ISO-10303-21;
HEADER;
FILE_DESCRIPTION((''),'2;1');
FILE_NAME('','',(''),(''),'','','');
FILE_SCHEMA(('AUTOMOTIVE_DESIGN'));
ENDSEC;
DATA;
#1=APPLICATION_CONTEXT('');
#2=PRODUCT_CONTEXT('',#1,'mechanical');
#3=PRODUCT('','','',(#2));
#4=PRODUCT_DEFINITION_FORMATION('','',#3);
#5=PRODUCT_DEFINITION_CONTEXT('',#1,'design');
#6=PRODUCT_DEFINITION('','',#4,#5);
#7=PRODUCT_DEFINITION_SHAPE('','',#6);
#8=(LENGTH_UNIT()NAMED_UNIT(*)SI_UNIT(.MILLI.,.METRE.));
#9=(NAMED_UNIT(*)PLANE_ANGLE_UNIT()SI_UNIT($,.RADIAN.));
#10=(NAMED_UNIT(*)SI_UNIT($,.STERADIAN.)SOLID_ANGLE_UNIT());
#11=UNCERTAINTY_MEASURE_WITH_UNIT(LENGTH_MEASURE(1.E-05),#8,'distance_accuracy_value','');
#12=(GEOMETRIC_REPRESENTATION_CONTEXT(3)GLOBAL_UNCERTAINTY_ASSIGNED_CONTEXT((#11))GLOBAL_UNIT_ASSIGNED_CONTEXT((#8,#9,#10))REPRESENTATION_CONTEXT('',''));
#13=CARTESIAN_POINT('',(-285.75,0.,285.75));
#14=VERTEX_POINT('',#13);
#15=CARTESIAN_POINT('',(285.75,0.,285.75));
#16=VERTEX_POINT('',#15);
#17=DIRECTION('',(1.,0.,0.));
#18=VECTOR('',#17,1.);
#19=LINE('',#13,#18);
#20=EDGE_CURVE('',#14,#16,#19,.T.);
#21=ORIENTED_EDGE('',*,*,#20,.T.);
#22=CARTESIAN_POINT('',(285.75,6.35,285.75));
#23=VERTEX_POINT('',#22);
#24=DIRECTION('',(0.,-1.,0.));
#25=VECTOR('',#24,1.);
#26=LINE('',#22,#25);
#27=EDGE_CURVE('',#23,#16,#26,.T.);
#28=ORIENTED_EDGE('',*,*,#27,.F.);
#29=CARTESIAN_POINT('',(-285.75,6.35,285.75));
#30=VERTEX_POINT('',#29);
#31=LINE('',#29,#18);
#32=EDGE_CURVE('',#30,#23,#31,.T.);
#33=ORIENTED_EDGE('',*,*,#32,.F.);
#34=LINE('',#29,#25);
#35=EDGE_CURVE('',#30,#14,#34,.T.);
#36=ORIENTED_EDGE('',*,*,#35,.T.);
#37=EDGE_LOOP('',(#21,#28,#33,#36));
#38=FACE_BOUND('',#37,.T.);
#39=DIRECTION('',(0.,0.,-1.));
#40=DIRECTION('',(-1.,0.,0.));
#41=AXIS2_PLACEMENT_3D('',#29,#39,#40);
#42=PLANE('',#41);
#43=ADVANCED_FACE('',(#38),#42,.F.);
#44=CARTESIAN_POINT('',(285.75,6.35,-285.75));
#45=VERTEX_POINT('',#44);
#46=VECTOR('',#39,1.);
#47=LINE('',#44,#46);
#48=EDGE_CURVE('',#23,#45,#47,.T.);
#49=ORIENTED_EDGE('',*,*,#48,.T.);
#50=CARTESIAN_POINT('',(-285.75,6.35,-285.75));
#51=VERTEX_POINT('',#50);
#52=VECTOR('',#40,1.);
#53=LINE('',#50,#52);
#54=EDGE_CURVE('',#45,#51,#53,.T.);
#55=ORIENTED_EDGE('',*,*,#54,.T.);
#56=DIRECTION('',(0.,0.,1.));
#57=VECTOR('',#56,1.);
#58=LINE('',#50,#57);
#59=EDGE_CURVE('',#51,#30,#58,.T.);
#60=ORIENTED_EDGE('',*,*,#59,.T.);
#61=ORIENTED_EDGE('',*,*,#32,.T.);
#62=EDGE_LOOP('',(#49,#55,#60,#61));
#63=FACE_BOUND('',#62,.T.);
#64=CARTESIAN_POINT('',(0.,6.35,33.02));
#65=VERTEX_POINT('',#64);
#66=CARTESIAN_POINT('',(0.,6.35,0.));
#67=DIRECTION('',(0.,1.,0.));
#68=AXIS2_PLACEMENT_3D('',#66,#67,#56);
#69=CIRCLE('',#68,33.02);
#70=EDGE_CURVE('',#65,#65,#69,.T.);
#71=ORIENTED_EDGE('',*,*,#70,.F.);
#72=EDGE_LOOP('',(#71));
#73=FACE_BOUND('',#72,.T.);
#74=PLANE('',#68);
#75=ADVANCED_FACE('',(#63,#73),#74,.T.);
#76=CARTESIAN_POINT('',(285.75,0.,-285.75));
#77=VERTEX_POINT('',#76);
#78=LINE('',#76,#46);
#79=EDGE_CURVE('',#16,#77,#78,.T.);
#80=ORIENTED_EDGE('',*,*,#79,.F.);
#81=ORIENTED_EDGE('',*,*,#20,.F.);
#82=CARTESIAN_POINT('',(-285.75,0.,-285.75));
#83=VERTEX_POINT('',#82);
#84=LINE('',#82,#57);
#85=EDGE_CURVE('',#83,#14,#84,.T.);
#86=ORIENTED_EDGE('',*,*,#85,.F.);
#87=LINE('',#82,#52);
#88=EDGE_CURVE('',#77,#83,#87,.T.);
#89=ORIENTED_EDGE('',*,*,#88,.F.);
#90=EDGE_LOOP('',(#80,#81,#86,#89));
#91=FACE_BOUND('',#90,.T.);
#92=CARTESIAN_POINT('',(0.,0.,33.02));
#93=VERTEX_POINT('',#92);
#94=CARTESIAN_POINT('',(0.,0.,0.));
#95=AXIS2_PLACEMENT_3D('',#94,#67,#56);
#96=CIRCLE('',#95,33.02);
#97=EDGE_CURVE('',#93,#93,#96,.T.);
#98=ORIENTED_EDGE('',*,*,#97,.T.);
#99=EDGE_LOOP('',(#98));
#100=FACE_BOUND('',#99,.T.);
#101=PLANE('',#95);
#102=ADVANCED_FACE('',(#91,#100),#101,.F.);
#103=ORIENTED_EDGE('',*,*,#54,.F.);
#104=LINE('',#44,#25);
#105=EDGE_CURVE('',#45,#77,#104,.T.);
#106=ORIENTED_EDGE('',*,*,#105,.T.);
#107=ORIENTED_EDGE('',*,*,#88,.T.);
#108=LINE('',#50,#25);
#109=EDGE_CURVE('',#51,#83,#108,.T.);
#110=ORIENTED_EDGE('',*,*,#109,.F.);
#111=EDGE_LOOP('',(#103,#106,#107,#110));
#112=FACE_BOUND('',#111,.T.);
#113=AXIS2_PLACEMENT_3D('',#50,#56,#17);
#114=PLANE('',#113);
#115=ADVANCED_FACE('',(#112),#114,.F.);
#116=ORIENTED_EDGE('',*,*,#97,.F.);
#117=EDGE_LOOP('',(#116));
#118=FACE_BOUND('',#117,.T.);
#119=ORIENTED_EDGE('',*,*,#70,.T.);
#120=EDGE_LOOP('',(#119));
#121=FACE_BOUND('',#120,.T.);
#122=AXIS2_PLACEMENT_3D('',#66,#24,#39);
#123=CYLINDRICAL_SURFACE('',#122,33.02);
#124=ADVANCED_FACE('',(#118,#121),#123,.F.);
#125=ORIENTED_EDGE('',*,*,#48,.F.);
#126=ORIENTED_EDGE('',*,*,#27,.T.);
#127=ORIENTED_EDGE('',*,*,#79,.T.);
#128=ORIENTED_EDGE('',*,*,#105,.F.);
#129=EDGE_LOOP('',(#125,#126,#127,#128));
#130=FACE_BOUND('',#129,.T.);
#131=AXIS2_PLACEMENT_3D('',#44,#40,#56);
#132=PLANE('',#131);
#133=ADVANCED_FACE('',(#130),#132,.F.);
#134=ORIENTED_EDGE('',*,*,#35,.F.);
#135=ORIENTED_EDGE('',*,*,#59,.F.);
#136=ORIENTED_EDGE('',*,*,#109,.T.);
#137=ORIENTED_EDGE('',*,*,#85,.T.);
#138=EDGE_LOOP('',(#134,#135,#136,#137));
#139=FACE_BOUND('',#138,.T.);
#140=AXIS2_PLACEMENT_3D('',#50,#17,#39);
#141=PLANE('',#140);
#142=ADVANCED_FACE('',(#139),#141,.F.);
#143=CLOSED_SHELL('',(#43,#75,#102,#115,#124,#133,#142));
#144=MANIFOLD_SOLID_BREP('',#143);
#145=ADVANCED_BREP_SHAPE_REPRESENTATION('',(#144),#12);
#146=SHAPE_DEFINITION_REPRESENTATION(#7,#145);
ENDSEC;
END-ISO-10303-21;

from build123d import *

# Parameters (mm, degrees)
SKETCH1_W           = 571.5
SKETCH1_H           = 571.5
SKETCH1_R           = 33.02
BOSS_EXTRUDE1_DEPTH = 6.35


with BuildPart() as part:
    # Sketch1 → Boss-Extrude1 (new body)
    with BuildSketch(Plane(origin=(0, 0, 0), x_dir=(1, 0, 0), z_dir=(0, 1, 0))):
        Rectangle(SKETCH1_W, SKETCH1_H)
        with Locations(Location((0, 0, 0), (0, 0, 270))):
            Circle(SKETCH1_R, mode=Mode.SUBTRACT)
    extrude(amount=BOSS_EXTRUDE1_DEPTH)


solid = part.part
